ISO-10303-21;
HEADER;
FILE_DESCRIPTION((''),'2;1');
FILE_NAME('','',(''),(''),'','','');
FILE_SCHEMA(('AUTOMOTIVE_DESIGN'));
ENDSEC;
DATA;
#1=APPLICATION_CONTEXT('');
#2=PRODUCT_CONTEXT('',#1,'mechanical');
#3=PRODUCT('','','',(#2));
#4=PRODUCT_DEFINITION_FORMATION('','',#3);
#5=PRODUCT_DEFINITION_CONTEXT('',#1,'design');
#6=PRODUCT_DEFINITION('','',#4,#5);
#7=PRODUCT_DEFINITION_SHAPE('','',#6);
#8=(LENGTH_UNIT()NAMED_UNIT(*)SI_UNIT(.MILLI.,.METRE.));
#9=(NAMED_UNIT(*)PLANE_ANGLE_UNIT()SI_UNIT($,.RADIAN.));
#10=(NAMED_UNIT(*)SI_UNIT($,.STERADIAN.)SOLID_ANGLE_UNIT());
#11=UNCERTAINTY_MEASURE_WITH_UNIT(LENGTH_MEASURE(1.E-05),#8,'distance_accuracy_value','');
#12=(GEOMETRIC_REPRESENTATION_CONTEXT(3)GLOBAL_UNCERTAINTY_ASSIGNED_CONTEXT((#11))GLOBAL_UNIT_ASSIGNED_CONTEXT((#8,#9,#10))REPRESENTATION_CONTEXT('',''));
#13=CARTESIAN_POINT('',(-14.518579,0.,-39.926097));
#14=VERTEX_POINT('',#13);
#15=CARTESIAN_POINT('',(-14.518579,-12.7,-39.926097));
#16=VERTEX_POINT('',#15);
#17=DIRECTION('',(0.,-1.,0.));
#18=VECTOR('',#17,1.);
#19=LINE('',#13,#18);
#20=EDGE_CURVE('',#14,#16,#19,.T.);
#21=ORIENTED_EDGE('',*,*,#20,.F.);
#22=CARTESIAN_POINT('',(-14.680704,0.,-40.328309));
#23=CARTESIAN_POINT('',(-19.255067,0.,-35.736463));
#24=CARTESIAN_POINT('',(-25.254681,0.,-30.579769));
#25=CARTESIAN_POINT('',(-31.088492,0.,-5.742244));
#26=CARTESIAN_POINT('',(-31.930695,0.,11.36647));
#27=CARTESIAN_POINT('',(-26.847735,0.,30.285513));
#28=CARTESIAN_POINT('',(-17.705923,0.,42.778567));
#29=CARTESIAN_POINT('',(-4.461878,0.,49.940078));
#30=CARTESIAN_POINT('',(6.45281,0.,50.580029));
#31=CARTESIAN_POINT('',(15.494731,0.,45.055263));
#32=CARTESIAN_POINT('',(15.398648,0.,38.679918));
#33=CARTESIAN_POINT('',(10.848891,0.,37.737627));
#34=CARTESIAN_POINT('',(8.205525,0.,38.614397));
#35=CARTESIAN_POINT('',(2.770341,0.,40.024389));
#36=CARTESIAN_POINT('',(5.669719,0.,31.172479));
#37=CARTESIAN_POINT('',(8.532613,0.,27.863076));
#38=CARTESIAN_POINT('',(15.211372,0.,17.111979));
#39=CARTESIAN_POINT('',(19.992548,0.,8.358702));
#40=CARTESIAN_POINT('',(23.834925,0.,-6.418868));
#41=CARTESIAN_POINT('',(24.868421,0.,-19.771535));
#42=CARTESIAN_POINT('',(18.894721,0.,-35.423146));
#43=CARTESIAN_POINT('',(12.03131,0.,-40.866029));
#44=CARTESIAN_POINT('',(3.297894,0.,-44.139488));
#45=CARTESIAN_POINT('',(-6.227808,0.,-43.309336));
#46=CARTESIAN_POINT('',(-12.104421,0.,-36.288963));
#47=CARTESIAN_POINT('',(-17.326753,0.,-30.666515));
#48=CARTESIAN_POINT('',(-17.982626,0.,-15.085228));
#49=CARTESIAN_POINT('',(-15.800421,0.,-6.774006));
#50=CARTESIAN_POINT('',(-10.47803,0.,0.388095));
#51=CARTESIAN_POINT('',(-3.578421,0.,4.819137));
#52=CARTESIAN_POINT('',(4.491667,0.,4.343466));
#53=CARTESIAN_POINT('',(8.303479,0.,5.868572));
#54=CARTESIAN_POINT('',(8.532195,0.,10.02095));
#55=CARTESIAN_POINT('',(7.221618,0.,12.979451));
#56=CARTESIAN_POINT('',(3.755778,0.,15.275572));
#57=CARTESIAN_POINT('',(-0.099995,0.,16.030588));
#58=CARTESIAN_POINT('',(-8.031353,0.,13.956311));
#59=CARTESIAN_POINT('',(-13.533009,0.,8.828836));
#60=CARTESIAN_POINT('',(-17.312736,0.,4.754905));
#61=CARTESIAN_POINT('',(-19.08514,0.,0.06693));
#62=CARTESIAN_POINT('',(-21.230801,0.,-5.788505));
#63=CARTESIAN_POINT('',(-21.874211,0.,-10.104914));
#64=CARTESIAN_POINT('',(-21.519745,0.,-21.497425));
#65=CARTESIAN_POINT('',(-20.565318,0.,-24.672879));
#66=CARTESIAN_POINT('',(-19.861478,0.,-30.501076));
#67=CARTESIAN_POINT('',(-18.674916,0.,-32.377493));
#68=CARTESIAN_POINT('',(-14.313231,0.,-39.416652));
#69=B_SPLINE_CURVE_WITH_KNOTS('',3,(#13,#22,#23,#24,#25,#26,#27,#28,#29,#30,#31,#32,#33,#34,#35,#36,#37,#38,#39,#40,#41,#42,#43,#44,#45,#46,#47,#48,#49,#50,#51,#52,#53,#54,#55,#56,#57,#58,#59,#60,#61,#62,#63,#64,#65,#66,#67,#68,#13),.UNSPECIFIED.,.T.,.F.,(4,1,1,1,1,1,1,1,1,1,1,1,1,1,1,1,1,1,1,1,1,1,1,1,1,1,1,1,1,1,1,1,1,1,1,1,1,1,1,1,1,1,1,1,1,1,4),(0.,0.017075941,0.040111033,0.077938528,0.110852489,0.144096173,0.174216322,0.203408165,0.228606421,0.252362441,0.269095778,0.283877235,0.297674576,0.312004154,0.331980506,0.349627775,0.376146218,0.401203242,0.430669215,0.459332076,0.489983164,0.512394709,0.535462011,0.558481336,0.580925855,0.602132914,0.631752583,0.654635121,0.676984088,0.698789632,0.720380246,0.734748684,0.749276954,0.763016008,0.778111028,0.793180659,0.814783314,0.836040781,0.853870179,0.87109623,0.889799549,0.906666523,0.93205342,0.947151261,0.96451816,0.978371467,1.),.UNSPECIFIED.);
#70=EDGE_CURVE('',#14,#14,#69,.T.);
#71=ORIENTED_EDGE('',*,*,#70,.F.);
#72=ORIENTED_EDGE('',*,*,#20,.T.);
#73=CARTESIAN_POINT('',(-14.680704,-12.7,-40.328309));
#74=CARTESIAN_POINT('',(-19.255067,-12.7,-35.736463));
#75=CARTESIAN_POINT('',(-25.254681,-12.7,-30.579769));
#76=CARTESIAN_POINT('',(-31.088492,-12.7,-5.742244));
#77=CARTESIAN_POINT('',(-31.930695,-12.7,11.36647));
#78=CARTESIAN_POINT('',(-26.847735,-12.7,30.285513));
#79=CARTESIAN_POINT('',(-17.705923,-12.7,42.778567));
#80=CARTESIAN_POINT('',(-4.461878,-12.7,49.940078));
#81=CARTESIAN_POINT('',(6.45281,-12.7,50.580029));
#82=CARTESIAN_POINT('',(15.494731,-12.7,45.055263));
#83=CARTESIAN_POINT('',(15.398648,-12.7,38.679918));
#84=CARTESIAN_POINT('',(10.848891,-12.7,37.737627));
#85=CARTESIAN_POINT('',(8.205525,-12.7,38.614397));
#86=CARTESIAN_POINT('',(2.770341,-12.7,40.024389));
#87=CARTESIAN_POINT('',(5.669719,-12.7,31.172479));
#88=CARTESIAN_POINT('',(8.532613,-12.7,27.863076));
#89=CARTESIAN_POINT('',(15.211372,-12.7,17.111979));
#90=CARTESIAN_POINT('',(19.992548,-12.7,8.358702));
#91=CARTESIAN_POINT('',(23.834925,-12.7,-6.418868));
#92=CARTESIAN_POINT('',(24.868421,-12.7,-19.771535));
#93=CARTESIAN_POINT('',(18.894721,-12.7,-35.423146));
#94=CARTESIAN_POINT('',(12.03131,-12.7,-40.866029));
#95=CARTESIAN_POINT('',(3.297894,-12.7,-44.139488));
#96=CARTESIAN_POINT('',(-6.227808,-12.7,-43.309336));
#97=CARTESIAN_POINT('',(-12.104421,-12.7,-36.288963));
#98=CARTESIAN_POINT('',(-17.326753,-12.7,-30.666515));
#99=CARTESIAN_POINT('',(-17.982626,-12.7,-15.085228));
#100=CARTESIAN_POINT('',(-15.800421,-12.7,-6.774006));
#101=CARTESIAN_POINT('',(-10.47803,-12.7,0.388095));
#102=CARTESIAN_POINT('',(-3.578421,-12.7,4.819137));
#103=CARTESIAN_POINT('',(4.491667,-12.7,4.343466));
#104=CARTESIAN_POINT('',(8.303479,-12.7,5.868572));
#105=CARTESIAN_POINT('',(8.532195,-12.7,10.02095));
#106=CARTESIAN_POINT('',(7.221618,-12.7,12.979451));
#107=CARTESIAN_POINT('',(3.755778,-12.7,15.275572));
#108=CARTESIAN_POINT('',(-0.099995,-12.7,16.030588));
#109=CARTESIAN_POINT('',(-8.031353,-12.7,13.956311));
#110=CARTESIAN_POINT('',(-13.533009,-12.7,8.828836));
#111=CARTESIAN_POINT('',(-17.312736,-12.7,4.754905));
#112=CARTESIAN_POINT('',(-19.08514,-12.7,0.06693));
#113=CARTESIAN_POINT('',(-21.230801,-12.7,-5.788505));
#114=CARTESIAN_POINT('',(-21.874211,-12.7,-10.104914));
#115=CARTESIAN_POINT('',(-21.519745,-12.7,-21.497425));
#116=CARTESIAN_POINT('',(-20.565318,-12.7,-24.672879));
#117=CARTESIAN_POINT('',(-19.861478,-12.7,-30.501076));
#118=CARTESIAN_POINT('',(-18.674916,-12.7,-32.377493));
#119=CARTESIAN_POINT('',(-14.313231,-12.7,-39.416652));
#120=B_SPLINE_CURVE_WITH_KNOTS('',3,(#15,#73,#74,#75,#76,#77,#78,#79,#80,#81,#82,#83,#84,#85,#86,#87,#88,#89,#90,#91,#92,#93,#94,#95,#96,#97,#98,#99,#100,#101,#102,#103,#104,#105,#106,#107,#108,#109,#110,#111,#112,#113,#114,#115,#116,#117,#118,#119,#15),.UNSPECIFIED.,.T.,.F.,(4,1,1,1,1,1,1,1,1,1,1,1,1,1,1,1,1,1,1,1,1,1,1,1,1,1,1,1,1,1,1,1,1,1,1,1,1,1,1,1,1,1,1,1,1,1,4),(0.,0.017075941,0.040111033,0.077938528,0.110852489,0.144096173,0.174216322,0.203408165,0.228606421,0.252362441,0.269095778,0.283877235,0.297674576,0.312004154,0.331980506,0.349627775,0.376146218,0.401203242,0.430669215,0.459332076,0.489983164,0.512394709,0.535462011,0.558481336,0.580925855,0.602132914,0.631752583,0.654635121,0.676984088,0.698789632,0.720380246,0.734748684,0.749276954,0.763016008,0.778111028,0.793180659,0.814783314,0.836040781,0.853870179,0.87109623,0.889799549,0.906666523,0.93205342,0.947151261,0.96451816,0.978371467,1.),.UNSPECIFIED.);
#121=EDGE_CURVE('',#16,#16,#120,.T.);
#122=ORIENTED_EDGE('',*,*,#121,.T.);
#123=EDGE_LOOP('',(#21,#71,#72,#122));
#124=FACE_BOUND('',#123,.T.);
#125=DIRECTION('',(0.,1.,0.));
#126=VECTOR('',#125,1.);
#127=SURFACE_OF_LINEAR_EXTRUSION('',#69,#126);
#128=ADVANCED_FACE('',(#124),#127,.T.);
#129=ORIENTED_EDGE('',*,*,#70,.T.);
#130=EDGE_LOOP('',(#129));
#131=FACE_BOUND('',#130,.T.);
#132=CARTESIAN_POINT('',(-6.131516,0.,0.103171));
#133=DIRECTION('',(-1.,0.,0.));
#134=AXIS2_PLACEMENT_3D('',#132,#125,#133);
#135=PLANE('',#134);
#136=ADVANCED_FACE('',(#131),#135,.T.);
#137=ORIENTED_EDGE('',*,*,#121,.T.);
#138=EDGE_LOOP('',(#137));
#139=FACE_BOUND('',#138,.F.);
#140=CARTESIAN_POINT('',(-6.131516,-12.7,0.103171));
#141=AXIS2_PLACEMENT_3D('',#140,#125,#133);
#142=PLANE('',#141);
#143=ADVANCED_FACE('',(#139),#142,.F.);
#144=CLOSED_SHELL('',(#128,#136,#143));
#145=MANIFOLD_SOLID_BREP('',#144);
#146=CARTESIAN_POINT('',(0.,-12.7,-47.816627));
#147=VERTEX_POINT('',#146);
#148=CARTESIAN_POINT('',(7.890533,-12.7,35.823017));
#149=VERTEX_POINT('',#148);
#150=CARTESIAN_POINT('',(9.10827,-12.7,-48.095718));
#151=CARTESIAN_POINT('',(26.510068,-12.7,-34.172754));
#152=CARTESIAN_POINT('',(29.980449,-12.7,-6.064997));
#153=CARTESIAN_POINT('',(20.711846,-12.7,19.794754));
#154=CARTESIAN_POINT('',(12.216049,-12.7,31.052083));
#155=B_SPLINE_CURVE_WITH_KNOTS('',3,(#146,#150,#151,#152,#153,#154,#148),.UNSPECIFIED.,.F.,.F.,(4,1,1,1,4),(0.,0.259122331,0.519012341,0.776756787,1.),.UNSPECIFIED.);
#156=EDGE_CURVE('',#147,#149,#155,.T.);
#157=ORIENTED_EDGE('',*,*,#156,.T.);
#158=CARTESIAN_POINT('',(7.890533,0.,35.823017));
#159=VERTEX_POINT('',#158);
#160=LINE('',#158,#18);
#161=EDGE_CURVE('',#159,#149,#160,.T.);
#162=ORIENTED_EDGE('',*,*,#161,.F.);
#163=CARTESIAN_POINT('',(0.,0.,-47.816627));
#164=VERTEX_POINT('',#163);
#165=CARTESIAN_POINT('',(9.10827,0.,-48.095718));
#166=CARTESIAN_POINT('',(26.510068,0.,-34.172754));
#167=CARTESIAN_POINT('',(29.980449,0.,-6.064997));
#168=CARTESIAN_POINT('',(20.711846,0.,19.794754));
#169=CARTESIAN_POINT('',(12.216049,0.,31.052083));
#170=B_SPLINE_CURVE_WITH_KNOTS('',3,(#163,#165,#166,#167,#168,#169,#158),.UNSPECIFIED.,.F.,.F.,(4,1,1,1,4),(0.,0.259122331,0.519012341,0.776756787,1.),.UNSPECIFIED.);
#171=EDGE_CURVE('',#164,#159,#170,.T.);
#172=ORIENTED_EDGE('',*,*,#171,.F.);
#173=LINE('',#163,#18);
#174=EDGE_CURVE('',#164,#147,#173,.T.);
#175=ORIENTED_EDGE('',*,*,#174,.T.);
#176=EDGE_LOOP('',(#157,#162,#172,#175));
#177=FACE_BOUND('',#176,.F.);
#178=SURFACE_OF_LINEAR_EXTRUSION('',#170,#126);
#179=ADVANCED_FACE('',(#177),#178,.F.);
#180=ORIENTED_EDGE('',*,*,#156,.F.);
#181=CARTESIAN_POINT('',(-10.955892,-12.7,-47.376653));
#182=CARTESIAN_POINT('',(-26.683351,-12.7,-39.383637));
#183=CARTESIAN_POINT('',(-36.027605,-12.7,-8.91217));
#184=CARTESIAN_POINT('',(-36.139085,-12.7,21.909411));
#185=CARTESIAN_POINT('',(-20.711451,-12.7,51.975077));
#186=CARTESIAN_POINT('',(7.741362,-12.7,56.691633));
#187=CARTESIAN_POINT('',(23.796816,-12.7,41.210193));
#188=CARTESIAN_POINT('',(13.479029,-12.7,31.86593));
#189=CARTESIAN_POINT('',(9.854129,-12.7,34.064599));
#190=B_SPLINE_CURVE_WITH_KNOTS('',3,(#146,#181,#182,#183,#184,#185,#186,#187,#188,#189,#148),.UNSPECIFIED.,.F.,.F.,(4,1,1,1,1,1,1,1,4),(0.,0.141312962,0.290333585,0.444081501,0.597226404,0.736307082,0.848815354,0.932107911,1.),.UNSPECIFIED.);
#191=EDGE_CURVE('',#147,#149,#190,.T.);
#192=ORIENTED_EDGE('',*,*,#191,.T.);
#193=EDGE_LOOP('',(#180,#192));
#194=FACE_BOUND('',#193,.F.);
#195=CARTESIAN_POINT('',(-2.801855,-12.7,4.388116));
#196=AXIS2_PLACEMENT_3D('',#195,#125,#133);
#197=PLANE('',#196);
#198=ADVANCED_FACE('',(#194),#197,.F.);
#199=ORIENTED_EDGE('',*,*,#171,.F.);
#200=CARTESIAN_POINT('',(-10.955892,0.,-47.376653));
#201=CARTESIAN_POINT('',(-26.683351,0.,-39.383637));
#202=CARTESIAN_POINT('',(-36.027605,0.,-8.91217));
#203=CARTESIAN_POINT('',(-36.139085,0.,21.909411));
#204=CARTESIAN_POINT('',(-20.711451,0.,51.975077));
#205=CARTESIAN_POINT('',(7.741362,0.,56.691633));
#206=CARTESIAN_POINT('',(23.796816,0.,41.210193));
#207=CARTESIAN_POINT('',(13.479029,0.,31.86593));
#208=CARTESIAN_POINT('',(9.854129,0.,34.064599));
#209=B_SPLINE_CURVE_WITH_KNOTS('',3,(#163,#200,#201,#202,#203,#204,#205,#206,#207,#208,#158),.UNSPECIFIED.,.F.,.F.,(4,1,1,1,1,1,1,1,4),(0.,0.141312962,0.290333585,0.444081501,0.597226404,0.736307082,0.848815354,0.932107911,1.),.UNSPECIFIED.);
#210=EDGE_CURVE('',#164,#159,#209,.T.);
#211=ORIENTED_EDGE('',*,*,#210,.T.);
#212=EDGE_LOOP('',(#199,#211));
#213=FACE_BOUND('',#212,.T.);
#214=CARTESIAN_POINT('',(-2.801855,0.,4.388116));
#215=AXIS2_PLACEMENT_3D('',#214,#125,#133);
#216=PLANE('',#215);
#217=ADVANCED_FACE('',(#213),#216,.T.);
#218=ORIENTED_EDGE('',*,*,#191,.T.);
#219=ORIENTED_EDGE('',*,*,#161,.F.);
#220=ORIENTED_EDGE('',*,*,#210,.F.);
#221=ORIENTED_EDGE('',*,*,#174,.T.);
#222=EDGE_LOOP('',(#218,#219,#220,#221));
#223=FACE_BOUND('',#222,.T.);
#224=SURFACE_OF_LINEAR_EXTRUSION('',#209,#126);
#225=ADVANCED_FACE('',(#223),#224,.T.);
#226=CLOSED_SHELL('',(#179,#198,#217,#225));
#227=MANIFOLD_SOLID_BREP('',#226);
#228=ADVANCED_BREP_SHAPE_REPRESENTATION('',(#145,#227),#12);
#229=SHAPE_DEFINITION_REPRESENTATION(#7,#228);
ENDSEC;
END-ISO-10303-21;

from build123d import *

# Parameters (mm, degrees)
F2_DEPTH = 12.7


with BuildPart() as f2:
    # F0 (on Front) → F2 (new body)
    with BuildSketch(Plane.XZ):
        with BuildLine():
            add(Edge.make_bspline(
                [(0, -47.8166267276), (-10.9558918474, -47.3766533997), (-26.6833507149, -39.3836371392), (-36.0276045303, -8.9121696409), (-36.1390853731, 21.90941137), (-20.7114514603, 51.9750770113), (7.7413624042, 56.6916333093), (23.7968164148, 41.2101930887), (13.4790285722, 31.8659302339), (9.8541291079, 34.0645992349), (7.8905327246, 35.8230173588)],
                knots=[0, 0, 0, 0, 0.1413129616, 0.290333585, 0.444081501, 0.5972264037, 0.7363070816, 0.8488153538, 0.9321079114, 1, 1, 1, 1], degree=3))
            add(Edge.make_bspline(
                [(0, -47.8166267276), (9.1082704419, -48.0957175781), (26.5100682516, -34.1727540842), (29.9804489904, -6.0649969922), (20.7118457699, 19.7947540572), (12.2160486481, 31.0520825506), (7.8905327246, 35.8230173588)],
                knots=[0, 0, 0, 0, 0.2591223308, 0.5190123413, 0.7767567868, 1, 1, 1, 1], degree=3))
        make_face()
    extrude(amount=F2_DEPTH)


with BuildPart() as f2b:
    # F1 (on Front) → F2, piece 2 (new body)
    with BuildSketch(Plane.XZ):
        with BuildLine():
            add(Edge.make_bspline(
                [(-14.5185794681, -39.926096797), (-14.6807043155, -40.3283086288), (-19.2550673382, -35.7364632763), (-25.2546806982, -30.5797687754), (-31.0884915634, -5.7422444107), (-31.9306952866, 11.3664699249), (-26.8477351962, 30.285512512), (-17.7059230903, 42.7785671979), (-4.4618784227, 49.9400777659), (6.4528097085, 50.5800290507), (15.4947307629, 45.0552625679), (15.3986484918, 38.6799180482), (10.8488910962, 37.7376271569), (8.205524643, 38.614397308), (2.7703407778, 40.0243893125), (5.669719464, 31.1724793632), (8.5326126951, 27.8630756997), (15.2113722681, 17.1119793814), (19.9925477213, 8.3587020636), (23.834924702, -6.4188680555), (24.8684209418, -19.7715354547), (18.8947209169, -35.4231464217), (12.0313101919, -40.8660289218), (3.2978944593, -44.1394882564), (-6.2278077196, -43.3093364998), (-12.104421416, -36.2889633819), (-17.3267532569, -30.6665153136), (-17.9826258196, -15.0852277776), (-15.8004211305, -6.7740057565), (-10.4780295373, 0.3880952518), (-3.5784207076, 4.8191370089), (4.4916670495, 4.3434657571), (8.3034787626, 5.8685723784), (8.5321948374, 10.0209504875), (7.2216181978, 12.9794509744), (3.7557776325, 15.2755718459), (-0.099995132, 16.0305884366), (-8.031353432, 13.9563110535), (-13.533009188, 8.8288356561), (-17.3127357539, 4.7549045598), (-19.0851402215, 0.0669301362), (-21.2308007307, -5.7885047826), (-21.8742114191, -10.1049140773), (-21.519745038, -21.4974253605), (-20.5653177974, -24.6728786609), (-19.8614779678, -30.5010762132), (-18.6749161779, -32.377493169), (-14.3132307561, -39.4166518663), (-14.5185794681, -39.926096797)],
                knots=[0, 0, 0, 0, 0.0170759413, 0.0401110326, 0.0779385277, 0.1108524893, 0.1440961728, 0.1742163222, 0.2034081652, 0.2286064215, 0.2523624411, 0.2690957777, 0.2838772348, 0.2976745762, 0.3120041541, 0.3319805061, 0.3496277753, 0.3761462181, 0.4012032421, 0.4306692152, 0.4593320764, 0.4899831638, 0.5123947091, 0.535462011, 0.5584813362, 0.580925855, 0.6021329141, 0.6317525827, 0.6546351211, 0.6769840881, 0.6987896321, 0.7203802456, 0.7347486841, 0.7492769535, 0.7630160085, 0.778111028, 0.7931806592, 0.8147833137, 0.8360407813, 0.8538701792, 0.8710962301, 0.8897995488, 0.9066665225, 0.93205342, 0.9471512606, 0.9645181599, 0.9783714674, 1, 1, 1, 1], degree=3))
        make_face()
    extrude(amount=F2_DEPTH)


solid = Compound([f2.part, f2b.part])
